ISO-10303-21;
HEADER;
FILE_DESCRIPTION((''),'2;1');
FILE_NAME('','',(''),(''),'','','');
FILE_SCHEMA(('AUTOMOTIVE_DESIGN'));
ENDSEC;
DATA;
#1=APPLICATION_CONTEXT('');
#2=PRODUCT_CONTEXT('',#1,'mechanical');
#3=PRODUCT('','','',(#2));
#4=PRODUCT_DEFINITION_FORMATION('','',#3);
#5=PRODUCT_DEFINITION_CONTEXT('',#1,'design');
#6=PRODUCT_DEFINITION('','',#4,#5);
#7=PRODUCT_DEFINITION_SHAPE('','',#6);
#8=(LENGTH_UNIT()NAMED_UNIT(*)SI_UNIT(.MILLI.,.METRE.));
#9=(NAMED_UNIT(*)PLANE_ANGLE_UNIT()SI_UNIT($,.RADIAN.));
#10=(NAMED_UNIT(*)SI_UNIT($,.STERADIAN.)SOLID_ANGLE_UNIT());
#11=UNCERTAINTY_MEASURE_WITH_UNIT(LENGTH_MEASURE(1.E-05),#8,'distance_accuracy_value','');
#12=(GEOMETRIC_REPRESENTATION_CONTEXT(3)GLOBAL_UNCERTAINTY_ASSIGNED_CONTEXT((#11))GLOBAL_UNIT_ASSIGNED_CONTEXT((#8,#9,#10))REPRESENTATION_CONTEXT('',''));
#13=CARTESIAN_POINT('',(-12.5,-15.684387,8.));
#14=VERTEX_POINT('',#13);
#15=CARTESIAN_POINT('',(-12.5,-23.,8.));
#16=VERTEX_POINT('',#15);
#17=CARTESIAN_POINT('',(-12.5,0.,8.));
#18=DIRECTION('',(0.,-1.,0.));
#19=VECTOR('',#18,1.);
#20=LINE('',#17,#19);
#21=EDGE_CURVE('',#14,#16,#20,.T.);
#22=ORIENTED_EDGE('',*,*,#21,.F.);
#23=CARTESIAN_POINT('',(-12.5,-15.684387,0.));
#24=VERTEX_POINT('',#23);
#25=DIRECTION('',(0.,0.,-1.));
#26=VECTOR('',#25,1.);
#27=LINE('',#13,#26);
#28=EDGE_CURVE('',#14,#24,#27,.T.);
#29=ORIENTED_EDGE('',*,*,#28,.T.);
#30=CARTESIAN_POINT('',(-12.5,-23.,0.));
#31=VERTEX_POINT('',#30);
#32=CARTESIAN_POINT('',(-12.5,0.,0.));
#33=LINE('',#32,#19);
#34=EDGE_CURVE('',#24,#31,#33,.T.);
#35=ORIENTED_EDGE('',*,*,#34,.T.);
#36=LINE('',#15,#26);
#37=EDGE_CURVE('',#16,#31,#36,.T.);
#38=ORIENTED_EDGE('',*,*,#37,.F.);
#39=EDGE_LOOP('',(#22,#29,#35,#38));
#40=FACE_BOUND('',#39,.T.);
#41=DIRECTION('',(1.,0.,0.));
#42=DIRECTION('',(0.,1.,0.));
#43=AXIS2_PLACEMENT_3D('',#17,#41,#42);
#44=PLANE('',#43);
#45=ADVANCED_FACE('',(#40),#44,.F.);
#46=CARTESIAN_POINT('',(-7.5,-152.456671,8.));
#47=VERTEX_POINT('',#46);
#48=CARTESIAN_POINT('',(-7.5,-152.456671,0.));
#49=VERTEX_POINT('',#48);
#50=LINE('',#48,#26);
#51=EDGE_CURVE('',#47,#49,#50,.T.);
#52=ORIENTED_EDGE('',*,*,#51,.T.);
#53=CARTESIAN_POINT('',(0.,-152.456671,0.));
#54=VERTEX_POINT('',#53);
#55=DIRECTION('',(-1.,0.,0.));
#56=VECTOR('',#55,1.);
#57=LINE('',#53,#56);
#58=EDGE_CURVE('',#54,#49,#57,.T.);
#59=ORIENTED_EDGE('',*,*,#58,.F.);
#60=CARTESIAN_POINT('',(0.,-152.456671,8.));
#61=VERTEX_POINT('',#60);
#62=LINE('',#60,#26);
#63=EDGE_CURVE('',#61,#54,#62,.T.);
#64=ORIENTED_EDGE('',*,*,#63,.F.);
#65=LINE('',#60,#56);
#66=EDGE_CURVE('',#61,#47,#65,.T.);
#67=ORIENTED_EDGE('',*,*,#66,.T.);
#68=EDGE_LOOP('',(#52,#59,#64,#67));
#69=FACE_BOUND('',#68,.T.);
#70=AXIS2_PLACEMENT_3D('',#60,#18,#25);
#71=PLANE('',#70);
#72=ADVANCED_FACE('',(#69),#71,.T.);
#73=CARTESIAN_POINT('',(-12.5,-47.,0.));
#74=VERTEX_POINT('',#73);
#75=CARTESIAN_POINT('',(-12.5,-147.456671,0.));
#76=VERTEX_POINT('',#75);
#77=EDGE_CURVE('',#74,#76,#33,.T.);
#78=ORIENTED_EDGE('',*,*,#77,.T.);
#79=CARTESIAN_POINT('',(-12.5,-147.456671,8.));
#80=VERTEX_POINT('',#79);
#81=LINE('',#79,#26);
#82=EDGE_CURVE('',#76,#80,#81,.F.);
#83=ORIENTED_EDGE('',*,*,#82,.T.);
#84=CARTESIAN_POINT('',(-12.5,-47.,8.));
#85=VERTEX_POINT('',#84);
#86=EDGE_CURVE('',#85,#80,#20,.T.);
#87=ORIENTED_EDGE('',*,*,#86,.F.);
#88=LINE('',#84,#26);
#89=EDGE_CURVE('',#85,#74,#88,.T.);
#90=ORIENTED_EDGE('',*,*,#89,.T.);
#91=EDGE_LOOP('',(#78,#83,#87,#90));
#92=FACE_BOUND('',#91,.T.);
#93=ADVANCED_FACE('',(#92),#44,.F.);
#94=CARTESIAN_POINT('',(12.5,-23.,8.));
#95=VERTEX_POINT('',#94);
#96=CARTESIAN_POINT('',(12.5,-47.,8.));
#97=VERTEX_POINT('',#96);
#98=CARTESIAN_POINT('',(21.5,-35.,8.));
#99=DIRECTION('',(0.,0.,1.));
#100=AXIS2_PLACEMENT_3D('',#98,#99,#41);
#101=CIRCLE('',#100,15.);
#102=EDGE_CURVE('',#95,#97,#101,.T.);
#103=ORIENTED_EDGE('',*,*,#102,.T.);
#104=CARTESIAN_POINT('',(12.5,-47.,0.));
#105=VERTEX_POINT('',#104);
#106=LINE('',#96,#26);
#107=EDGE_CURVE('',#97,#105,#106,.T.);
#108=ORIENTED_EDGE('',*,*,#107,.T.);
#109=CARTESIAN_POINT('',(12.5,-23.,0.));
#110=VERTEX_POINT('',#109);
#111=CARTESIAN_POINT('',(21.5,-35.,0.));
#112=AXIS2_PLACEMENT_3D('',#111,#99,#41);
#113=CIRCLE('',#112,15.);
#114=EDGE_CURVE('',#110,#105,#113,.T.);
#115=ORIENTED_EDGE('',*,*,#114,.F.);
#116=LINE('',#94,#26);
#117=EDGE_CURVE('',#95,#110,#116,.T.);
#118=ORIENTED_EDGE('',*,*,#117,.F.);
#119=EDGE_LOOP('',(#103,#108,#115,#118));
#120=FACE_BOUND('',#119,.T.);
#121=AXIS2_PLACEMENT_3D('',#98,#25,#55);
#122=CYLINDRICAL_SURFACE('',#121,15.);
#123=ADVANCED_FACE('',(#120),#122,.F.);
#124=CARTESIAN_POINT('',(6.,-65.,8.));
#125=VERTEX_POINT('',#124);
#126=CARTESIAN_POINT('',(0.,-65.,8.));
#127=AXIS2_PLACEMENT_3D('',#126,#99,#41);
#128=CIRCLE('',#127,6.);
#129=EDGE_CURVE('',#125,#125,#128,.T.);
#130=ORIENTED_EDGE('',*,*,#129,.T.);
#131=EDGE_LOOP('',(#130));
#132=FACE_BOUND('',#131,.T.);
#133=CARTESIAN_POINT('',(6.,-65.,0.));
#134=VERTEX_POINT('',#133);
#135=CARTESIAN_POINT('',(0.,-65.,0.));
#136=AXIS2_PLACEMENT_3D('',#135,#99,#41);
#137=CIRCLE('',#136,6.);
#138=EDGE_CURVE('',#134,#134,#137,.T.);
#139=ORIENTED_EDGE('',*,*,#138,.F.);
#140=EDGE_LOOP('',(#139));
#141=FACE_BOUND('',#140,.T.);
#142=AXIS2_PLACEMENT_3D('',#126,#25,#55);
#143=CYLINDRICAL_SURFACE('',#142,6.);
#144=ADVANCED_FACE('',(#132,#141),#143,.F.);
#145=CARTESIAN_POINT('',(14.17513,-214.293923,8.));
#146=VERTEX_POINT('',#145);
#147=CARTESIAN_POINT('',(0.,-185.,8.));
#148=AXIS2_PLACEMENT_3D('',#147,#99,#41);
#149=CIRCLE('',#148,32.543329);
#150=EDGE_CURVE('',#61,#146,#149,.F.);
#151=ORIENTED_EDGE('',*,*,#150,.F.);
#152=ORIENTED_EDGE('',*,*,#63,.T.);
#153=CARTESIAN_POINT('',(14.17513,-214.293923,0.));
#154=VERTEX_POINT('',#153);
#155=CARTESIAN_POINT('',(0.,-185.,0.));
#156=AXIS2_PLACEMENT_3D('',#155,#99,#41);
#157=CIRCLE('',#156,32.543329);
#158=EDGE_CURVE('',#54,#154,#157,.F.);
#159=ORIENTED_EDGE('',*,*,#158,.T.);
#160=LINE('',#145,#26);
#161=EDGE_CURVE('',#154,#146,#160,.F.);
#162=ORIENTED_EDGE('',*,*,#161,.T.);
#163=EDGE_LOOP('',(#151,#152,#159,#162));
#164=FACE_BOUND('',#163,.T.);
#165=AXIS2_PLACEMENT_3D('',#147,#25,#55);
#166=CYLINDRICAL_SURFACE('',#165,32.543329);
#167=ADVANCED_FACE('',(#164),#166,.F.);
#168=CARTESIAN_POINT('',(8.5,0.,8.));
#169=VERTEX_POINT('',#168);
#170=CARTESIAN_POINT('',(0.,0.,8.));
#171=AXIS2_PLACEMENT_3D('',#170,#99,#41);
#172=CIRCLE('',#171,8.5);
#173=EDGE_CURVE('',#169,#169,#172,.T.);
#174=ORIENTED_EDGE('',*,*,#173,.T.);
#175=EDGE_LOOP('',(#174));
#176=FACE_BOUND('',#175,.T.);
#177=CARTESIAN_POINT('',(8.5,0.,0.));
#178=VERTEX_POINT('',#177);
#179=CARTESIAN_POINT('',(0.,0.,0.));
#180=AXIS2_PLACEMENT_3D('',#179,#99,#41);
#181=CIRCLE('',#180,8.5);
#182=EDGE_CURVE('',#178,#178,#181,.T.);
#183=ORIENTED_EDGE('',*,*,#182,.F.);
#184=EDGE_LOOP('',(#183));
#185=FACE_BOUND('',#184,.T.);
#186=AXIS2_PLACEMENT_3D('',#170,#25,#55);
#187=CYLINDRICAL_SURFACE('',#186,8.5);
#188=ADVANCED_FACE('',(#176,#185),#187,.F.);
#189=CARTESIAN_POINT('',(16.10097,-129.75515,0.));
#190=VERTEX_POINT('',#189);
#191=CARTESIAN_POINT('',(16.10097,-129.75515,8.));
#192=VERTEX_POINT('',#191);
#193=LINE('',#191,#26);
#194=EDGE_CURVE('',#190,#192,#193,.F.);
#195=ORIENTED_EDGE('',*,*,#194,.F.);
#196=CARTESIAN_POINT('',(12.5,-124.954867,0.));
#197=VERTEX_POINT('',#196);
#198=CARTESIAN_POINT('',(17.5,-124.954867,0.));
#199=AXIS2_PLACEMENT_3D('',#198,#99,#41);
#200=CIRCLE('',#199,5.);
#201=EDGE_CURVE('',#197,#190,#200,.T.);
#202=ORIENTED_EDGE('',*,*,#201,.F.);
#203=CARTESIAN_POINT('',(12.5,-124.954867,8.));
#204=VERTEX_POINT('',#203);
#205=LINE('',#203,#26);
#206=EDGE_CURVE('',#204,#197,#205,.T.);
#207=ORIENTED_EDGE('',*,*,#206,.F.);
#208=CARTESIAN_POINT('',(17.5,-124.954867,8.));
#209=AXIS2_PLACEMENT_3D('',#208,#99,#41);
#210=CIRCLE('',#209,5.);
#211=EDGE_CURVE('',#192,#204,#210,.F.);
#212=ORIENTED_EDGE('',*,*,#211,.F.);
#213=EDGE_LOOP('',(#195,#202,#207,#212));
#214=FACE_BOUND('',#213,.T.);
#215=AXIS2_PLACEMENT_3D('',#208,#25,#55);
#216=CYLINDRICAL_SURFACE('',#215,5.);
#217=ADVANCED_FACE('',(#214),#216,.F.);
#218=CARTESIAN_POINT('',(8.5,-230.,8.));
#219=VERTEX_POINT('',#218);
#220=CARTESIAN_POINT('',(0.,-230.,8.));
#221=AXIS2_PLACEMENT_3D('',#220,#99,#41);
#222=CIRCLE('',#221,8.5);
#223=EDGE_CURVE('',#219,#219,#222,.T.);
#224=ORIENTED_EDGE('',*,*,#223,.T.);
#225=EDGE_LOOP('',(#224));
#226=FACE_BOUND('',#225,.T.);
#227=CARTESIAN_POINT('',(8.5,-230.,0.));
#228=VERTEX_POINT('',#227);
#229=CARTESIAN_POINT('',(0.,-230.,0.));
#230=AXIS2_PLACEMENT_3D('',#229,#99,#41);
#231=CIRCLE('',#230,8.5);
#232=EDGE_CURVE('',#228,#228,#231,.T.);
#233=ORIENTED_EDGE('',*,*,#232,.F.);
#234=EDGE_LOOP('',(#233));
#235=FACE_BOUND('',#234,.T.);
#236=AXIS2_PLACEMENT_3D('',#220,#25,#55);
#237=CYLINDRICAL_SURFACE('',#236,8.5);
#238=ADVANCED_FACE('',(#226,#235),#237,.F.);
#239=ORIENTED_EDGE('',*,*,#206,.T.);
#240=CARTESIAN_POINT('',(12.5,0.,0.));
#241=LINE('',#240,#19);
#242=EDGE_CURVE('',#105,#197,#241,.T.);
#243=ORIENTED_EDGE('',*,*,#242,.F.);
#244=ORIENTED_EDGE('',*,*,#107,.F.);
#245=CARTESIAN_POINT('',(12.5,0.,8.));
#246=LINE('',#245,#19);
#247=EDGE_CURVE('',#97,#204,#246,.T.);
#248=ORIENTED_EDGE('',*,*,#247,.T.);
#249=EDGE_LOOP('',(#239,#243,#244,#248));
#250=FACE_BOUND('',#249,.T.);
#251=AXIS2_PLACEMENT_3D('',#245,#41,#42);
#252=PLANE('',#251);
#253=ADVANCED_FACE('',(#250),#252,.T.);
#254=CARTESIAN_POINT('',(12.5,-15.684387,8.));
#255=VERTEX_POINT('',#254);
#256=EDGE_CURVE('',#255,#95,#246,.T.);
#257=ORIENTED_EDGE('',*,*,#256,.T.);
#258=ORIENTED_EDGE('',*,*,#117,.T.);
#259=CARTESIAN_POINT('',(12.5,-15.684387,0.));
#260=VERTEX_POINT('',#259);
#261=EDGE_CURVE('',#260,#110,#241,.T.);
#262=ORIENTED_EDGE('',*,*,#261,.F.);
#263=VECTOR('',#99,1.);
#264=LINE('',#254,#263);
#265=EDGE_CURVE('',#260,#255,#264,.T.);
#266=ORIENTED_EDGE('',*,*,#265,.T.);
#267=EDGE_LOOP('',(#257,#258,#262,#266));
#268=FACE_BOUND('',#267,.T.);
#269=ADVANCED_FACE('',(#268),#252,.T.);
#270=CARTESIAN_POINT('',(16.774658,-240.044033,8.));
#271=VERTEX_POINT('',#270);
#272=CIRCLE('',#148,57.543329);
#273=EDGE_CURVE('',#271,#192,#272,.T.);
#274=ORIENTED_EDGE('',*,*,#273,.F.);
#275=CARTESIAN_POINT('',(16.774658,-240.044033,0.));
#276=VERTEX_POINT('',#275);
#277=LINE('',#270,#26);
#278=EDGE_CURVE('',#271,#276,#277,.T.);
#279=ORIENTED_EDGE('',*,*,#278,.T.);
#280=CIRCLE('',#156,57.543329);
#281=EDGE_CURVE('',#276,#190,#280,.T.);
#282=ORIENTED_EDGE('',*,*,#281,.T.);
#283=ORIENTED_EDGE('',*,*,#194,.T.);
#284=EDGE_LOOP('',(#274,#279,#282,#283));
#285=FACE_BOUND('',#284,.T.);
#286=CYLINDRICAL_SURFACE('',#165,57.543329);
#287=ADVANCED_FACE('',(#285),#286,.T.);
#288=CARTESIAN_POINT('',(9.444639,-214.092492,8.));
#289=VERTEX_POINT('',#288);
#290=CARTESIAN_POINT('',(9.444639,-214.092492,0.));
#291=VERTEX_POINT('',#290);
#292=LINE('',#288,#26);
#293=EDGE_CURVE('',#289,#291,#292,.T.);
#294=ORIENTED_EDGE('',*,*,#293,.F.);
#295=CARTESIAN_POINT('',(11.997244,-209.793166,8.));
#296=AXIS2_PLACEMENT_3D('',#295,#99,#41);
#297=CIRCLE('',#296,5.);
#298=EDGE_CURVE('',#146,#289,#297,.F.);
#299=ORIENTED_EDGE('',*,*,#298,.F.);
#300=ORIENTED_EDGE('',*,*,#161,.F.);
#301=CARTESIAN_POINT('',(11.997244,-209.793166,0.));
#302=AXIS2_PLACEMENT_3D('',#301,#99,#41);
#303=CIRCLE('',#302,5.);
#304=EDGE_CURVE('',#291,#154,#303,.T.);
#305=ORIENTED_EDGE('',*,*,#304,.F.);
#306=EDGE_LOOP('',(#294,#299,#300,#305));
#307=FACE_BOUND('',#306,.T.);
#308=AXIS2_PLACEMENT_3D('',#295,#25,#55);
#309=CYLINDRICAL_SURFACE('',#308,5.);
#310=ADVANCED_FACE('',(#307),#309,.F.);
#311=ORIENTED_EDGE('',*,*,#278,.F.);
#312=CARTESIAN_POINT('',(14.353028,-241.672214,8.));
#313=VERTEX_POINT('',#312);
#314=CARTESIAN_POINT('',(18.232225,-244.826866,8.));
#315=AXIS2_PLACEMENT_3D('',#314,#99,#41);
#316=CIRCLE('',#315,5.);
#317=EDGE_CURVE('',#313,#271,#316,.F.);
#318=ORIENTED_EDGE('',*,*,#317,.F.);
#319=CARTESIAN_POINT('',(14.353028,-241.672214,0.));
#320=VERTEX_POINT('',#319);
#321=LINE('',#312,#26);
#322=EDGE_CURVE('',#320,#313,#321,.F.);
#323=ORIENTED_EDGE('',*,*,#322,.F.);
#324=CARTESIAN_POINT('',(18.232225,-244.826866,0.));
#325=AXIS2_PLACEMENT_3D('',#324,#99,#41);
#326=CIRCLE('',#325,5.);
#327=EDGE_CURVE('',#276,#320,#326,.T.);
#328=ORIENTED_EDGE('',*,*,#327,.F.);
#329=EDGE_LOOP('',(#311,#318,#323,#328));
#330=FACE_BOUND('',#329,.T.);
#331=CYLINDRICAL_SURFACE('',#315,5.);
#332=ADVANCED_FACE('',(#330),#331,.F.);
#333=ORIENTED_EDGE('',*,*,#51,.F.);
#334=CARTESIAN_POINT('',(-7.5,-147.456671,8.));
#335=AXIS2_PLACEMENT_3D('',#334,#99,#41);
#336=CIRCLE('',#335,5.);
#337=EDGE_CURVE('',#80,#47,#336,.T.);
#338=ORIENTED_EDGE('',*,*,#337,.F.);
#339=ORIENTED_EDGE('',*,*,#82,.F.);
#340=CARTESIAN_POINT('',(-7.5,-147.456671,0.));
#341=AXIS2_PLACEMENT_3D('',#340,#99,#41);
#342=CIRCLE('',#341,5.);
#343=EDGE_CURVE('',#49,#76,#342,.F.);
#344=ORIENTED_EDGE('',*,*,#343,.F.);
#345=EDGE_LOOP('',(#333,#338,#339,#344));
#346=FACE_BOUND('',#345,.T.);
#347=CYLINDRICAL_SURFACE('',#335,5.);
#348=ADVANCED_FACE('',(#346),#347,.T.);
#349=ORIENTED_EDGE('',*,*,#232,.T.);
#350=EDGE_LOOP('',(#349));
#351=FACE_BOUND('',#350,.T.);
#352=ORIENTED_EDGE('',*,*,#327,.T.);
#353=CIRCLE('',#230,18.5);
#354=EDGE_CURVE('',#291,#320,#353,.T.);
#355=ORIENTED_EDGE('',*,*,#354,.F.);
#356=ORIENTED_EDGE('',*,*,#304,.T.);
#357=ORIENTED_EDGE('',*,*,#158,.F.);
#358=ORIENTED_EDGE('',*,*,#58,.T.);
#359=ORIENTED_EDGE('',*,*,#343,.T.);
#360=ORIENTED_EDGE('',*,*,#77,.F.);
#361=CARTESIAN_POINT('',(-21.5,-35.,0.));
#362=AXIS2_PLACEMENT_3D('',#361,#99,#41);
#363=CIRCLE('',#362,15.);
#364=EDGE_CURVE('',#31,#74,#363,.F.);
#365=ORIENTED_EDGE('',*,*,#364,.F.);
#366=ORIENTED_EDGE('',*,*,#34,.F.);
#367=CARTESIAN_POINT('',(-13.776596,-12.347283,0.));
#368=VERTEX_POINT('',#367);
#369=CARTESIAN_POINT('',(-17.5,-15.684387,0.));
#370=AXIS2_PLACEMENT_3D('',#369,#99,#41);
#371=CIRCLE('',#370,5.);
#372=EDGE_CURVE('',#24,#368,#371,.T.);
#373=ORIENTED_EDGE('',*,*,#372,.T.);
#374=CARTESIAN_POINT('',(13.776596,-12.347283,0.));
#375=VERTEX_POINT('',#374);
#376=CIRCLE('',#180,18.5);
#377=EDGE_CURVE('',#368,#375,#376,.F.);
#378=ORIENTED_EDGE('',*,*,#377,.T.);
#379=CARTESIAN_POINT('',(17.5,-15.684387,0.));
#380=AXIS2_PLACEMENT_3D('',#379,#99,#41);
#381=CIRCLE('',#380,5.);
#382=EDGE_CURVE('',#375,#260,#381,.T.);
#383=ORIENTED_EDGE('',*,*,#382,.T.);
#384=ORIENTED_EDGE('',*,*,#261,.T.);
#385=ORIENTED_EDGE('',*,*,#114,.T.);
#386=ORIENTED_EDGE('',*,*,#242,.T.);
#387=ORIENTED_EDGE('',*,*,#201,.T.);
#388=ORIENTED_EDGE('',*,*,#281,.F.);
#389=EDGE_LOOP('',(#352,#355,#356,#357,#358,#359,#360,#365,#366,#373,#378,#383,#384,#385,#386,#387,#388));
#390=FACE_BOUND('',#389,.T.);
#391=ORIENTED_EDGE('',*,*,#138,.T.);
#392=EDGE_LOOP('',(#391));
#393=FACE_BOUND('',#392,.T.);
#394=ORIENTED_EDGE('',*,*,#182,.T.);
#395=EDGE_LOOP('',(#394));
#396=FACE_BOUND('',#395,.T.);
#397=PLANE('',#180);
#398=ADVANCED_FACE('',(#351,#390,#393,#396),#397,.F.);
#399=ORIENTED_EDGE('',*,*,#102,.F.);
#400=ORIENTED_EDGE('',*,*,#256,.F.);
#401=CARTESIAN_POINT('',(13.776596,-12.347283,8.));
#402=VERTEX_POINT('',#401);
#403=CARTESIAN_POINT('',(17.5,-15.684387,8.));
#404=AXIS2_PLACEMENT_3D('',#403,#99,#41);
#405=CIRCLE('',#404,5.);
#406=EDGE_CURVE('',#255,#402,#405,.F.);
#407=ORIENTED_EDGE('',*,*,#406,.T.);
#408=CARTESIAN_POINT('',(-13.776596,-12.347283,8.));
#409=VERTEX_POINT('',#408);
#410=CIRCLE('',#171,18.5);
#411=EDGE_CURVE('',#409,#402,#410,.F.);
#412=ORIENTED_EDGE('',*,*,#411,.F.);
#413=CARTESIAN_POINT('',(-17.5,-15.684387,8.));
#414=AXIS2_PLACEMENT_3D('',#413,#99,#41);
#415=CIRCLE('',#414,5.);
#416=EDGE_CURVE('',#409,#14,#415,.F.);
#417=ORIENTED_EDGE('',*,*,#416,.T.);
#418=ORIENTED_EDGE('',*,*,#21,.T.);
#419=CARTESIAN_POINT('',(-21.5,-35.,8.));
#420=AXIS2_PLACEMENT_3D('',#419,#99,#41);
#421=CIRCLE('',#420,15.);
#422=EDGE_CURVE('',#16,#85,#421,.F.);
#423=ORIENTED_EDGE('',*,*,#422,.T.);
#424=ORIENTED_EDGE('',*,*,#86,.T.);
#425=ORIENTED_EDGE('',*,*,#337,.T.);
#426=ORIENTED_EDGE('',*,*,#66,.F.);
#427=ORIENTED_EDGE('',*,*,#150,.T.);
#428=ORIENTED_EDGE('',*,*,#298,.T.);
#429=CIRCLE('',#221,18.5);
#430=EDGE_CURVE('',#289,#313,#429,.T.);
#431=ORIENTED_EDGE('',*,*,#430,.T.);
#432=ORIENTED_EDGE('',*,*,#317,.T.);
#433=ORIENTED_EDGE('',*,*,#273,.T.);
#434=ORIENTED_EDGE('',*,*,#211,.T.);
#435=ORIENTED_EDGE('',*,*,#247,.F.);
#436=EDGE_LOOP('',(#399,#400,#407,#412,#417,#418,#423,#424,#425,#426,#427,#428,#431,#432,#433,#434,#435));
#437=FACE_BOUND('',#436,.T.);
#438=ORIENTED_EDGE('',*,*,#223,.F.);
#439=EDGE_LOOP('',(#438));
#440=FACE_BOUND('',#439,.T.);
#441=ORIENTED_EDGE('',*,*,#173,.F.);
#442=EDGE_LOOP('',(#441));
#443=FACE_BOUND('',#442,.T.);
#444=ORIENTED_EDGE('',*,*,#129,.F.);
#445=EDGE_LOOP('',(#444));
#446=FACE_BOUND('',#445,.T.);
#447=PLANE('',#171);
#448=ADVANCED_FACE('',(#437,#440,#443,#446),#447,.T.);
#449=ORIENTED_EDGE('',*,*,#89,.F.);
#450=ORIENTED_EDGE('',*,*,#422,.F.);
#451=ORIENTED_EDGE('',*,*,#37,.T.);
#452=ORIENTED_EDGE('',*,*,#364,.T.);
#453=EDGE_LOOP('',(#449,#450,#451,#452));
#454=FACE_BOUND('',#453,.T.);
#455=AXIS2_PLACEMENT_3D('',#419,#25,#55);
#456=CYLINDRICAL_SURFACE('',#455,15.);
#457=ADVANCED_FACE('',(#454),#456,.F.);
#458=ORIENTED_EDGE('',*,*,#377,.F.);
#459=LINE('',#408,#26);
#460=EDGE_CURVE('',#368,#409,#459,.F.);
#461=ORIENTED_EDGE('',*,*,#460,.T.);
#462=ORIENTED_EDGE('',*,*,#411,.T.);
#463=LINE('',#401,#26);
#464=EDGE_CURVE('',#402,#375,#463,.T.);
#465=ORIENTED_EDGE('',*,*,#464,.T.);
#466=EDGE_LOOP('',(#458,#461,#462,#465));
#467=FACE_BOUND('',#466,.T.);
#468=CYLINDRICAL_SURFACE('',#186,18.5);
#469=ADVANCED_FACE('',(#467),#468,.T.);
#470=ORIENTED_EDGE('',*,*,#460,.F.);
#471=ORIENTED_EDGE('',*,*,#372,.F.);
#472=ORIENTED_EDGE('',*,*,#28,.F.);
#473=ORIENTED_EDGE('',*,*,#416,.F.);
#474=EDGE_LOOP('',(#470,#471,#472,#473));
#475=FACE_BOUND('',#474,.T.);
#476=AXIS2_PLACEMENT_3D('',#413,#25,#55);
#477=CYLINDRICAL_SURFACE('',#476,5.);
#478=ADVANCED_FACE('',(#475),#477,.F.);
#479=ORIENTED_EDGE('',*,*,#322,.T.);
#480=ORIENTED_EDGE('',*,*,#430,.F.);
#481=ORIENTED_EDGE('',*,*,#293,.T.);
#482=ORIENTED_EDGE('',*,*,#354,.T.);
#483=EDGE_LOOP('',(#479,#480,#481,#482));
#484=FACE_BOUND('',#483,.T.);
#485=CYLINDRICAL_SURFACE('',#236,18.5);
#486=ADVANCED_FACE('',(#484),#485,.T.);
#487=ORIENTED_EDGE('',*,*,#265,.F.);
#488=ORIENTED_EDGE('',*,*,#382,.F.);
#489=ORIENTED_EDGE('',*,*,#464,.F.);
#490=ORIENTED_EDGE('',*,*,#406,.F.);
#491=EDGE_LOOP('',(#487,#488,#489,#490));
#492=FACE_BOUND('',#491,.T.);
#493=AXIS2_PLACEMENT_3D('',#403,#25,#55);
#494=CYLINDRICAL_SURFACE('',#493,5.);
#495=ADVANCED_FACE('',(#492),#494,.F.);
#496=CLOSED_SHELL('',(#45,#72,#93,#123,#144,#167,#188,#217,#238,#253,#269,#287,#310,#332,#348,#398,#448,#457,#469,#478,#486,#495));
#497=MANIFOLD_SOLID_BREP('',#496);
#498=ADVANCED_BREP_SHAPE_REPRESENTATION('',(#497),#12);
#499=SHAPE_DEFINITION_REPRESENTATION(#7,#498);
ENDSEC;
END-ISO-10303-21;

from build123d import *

# Parameters (mm, degrees)
SKETCH1_R           = 6
SKETCH1_R_2         = 8.5
BOSS_EXTRUDE1_DEPTH = 8
FILLET1_R           = 5


with BuildPart() as part:
    # Sketch1 → Boss-Extrude1 (new body)
    with BuildSketch(Plane.XY):
        with BuildLine():
            ThreePointArc((12.5, -13.638181697), (0, 18.5), (-12.5, -13.638181697))
            Line((-12.5, -13.638181697), (-12.5, -23))
            ThreePointArc((-12.5, -23), (-6.5, -35), (-12.5, -47))
            Line((-12.5, -47), (-12.5, -152.456671403))
            Line((-12.5, -152.456671403), (0, -152.456671403))
            ThreePointArc((0, -152.456671403), (32.019441409, -179.184193262), (11.444366088, -215.464647068))
            ThreePointArc((11.444366088, -215.464647068), (-18.29086587, -232.773846738), (15.239317045, -240.488718511))
            ThreePointArc((15.239317045, -240.488718511), (57.52601951, -183.58870793), (12.5, -128.830749818))
            Line((12.5, -128.830749818), (12.5, -47))
            ThreePointArc((12.5, -47), (6.5, -35), (12.5, -23))
            Line((12.5, -23), (12.5, -13.638181697))
        make_face()
        with BuildLine():
            ThreePointArc((8.333859781, -228.327642037), (8.458362966, -229.159704854), (8.5, -230))
            ThreePointArc((8.5, -230), (-8.458362966, -230.840295146), (8.333859781, -228.327642037))
        make_face(mode=Mode.SUBTRACT)
        with Locations((0, -65)):
            Circle(SKETCH1_R, mode=Mode.SUBTRACT)
        Circle(SKETCH1_R_2, mode=Mode.SUBTRACT)
    extrude(amount=BOSS_EXTRUDE1_DEPTH)

    # Fillet1
    fillet1_edges = [part.edges().sort_by_distance(p)[0] for p in [
        (11.444366088, -215.464647068, 4),
        (-12.5, -152.456671403, 4),
        (-12.5, -13.638181697, 4),
        (12.5, -13.638181697, 4),
        (12.5, -128.830749818, 4),
        (15.239317045, -240.488718511, 4),
    ]]
    fillet(fillet1_edges, radius=FILLET1_R)


solid = part.part
